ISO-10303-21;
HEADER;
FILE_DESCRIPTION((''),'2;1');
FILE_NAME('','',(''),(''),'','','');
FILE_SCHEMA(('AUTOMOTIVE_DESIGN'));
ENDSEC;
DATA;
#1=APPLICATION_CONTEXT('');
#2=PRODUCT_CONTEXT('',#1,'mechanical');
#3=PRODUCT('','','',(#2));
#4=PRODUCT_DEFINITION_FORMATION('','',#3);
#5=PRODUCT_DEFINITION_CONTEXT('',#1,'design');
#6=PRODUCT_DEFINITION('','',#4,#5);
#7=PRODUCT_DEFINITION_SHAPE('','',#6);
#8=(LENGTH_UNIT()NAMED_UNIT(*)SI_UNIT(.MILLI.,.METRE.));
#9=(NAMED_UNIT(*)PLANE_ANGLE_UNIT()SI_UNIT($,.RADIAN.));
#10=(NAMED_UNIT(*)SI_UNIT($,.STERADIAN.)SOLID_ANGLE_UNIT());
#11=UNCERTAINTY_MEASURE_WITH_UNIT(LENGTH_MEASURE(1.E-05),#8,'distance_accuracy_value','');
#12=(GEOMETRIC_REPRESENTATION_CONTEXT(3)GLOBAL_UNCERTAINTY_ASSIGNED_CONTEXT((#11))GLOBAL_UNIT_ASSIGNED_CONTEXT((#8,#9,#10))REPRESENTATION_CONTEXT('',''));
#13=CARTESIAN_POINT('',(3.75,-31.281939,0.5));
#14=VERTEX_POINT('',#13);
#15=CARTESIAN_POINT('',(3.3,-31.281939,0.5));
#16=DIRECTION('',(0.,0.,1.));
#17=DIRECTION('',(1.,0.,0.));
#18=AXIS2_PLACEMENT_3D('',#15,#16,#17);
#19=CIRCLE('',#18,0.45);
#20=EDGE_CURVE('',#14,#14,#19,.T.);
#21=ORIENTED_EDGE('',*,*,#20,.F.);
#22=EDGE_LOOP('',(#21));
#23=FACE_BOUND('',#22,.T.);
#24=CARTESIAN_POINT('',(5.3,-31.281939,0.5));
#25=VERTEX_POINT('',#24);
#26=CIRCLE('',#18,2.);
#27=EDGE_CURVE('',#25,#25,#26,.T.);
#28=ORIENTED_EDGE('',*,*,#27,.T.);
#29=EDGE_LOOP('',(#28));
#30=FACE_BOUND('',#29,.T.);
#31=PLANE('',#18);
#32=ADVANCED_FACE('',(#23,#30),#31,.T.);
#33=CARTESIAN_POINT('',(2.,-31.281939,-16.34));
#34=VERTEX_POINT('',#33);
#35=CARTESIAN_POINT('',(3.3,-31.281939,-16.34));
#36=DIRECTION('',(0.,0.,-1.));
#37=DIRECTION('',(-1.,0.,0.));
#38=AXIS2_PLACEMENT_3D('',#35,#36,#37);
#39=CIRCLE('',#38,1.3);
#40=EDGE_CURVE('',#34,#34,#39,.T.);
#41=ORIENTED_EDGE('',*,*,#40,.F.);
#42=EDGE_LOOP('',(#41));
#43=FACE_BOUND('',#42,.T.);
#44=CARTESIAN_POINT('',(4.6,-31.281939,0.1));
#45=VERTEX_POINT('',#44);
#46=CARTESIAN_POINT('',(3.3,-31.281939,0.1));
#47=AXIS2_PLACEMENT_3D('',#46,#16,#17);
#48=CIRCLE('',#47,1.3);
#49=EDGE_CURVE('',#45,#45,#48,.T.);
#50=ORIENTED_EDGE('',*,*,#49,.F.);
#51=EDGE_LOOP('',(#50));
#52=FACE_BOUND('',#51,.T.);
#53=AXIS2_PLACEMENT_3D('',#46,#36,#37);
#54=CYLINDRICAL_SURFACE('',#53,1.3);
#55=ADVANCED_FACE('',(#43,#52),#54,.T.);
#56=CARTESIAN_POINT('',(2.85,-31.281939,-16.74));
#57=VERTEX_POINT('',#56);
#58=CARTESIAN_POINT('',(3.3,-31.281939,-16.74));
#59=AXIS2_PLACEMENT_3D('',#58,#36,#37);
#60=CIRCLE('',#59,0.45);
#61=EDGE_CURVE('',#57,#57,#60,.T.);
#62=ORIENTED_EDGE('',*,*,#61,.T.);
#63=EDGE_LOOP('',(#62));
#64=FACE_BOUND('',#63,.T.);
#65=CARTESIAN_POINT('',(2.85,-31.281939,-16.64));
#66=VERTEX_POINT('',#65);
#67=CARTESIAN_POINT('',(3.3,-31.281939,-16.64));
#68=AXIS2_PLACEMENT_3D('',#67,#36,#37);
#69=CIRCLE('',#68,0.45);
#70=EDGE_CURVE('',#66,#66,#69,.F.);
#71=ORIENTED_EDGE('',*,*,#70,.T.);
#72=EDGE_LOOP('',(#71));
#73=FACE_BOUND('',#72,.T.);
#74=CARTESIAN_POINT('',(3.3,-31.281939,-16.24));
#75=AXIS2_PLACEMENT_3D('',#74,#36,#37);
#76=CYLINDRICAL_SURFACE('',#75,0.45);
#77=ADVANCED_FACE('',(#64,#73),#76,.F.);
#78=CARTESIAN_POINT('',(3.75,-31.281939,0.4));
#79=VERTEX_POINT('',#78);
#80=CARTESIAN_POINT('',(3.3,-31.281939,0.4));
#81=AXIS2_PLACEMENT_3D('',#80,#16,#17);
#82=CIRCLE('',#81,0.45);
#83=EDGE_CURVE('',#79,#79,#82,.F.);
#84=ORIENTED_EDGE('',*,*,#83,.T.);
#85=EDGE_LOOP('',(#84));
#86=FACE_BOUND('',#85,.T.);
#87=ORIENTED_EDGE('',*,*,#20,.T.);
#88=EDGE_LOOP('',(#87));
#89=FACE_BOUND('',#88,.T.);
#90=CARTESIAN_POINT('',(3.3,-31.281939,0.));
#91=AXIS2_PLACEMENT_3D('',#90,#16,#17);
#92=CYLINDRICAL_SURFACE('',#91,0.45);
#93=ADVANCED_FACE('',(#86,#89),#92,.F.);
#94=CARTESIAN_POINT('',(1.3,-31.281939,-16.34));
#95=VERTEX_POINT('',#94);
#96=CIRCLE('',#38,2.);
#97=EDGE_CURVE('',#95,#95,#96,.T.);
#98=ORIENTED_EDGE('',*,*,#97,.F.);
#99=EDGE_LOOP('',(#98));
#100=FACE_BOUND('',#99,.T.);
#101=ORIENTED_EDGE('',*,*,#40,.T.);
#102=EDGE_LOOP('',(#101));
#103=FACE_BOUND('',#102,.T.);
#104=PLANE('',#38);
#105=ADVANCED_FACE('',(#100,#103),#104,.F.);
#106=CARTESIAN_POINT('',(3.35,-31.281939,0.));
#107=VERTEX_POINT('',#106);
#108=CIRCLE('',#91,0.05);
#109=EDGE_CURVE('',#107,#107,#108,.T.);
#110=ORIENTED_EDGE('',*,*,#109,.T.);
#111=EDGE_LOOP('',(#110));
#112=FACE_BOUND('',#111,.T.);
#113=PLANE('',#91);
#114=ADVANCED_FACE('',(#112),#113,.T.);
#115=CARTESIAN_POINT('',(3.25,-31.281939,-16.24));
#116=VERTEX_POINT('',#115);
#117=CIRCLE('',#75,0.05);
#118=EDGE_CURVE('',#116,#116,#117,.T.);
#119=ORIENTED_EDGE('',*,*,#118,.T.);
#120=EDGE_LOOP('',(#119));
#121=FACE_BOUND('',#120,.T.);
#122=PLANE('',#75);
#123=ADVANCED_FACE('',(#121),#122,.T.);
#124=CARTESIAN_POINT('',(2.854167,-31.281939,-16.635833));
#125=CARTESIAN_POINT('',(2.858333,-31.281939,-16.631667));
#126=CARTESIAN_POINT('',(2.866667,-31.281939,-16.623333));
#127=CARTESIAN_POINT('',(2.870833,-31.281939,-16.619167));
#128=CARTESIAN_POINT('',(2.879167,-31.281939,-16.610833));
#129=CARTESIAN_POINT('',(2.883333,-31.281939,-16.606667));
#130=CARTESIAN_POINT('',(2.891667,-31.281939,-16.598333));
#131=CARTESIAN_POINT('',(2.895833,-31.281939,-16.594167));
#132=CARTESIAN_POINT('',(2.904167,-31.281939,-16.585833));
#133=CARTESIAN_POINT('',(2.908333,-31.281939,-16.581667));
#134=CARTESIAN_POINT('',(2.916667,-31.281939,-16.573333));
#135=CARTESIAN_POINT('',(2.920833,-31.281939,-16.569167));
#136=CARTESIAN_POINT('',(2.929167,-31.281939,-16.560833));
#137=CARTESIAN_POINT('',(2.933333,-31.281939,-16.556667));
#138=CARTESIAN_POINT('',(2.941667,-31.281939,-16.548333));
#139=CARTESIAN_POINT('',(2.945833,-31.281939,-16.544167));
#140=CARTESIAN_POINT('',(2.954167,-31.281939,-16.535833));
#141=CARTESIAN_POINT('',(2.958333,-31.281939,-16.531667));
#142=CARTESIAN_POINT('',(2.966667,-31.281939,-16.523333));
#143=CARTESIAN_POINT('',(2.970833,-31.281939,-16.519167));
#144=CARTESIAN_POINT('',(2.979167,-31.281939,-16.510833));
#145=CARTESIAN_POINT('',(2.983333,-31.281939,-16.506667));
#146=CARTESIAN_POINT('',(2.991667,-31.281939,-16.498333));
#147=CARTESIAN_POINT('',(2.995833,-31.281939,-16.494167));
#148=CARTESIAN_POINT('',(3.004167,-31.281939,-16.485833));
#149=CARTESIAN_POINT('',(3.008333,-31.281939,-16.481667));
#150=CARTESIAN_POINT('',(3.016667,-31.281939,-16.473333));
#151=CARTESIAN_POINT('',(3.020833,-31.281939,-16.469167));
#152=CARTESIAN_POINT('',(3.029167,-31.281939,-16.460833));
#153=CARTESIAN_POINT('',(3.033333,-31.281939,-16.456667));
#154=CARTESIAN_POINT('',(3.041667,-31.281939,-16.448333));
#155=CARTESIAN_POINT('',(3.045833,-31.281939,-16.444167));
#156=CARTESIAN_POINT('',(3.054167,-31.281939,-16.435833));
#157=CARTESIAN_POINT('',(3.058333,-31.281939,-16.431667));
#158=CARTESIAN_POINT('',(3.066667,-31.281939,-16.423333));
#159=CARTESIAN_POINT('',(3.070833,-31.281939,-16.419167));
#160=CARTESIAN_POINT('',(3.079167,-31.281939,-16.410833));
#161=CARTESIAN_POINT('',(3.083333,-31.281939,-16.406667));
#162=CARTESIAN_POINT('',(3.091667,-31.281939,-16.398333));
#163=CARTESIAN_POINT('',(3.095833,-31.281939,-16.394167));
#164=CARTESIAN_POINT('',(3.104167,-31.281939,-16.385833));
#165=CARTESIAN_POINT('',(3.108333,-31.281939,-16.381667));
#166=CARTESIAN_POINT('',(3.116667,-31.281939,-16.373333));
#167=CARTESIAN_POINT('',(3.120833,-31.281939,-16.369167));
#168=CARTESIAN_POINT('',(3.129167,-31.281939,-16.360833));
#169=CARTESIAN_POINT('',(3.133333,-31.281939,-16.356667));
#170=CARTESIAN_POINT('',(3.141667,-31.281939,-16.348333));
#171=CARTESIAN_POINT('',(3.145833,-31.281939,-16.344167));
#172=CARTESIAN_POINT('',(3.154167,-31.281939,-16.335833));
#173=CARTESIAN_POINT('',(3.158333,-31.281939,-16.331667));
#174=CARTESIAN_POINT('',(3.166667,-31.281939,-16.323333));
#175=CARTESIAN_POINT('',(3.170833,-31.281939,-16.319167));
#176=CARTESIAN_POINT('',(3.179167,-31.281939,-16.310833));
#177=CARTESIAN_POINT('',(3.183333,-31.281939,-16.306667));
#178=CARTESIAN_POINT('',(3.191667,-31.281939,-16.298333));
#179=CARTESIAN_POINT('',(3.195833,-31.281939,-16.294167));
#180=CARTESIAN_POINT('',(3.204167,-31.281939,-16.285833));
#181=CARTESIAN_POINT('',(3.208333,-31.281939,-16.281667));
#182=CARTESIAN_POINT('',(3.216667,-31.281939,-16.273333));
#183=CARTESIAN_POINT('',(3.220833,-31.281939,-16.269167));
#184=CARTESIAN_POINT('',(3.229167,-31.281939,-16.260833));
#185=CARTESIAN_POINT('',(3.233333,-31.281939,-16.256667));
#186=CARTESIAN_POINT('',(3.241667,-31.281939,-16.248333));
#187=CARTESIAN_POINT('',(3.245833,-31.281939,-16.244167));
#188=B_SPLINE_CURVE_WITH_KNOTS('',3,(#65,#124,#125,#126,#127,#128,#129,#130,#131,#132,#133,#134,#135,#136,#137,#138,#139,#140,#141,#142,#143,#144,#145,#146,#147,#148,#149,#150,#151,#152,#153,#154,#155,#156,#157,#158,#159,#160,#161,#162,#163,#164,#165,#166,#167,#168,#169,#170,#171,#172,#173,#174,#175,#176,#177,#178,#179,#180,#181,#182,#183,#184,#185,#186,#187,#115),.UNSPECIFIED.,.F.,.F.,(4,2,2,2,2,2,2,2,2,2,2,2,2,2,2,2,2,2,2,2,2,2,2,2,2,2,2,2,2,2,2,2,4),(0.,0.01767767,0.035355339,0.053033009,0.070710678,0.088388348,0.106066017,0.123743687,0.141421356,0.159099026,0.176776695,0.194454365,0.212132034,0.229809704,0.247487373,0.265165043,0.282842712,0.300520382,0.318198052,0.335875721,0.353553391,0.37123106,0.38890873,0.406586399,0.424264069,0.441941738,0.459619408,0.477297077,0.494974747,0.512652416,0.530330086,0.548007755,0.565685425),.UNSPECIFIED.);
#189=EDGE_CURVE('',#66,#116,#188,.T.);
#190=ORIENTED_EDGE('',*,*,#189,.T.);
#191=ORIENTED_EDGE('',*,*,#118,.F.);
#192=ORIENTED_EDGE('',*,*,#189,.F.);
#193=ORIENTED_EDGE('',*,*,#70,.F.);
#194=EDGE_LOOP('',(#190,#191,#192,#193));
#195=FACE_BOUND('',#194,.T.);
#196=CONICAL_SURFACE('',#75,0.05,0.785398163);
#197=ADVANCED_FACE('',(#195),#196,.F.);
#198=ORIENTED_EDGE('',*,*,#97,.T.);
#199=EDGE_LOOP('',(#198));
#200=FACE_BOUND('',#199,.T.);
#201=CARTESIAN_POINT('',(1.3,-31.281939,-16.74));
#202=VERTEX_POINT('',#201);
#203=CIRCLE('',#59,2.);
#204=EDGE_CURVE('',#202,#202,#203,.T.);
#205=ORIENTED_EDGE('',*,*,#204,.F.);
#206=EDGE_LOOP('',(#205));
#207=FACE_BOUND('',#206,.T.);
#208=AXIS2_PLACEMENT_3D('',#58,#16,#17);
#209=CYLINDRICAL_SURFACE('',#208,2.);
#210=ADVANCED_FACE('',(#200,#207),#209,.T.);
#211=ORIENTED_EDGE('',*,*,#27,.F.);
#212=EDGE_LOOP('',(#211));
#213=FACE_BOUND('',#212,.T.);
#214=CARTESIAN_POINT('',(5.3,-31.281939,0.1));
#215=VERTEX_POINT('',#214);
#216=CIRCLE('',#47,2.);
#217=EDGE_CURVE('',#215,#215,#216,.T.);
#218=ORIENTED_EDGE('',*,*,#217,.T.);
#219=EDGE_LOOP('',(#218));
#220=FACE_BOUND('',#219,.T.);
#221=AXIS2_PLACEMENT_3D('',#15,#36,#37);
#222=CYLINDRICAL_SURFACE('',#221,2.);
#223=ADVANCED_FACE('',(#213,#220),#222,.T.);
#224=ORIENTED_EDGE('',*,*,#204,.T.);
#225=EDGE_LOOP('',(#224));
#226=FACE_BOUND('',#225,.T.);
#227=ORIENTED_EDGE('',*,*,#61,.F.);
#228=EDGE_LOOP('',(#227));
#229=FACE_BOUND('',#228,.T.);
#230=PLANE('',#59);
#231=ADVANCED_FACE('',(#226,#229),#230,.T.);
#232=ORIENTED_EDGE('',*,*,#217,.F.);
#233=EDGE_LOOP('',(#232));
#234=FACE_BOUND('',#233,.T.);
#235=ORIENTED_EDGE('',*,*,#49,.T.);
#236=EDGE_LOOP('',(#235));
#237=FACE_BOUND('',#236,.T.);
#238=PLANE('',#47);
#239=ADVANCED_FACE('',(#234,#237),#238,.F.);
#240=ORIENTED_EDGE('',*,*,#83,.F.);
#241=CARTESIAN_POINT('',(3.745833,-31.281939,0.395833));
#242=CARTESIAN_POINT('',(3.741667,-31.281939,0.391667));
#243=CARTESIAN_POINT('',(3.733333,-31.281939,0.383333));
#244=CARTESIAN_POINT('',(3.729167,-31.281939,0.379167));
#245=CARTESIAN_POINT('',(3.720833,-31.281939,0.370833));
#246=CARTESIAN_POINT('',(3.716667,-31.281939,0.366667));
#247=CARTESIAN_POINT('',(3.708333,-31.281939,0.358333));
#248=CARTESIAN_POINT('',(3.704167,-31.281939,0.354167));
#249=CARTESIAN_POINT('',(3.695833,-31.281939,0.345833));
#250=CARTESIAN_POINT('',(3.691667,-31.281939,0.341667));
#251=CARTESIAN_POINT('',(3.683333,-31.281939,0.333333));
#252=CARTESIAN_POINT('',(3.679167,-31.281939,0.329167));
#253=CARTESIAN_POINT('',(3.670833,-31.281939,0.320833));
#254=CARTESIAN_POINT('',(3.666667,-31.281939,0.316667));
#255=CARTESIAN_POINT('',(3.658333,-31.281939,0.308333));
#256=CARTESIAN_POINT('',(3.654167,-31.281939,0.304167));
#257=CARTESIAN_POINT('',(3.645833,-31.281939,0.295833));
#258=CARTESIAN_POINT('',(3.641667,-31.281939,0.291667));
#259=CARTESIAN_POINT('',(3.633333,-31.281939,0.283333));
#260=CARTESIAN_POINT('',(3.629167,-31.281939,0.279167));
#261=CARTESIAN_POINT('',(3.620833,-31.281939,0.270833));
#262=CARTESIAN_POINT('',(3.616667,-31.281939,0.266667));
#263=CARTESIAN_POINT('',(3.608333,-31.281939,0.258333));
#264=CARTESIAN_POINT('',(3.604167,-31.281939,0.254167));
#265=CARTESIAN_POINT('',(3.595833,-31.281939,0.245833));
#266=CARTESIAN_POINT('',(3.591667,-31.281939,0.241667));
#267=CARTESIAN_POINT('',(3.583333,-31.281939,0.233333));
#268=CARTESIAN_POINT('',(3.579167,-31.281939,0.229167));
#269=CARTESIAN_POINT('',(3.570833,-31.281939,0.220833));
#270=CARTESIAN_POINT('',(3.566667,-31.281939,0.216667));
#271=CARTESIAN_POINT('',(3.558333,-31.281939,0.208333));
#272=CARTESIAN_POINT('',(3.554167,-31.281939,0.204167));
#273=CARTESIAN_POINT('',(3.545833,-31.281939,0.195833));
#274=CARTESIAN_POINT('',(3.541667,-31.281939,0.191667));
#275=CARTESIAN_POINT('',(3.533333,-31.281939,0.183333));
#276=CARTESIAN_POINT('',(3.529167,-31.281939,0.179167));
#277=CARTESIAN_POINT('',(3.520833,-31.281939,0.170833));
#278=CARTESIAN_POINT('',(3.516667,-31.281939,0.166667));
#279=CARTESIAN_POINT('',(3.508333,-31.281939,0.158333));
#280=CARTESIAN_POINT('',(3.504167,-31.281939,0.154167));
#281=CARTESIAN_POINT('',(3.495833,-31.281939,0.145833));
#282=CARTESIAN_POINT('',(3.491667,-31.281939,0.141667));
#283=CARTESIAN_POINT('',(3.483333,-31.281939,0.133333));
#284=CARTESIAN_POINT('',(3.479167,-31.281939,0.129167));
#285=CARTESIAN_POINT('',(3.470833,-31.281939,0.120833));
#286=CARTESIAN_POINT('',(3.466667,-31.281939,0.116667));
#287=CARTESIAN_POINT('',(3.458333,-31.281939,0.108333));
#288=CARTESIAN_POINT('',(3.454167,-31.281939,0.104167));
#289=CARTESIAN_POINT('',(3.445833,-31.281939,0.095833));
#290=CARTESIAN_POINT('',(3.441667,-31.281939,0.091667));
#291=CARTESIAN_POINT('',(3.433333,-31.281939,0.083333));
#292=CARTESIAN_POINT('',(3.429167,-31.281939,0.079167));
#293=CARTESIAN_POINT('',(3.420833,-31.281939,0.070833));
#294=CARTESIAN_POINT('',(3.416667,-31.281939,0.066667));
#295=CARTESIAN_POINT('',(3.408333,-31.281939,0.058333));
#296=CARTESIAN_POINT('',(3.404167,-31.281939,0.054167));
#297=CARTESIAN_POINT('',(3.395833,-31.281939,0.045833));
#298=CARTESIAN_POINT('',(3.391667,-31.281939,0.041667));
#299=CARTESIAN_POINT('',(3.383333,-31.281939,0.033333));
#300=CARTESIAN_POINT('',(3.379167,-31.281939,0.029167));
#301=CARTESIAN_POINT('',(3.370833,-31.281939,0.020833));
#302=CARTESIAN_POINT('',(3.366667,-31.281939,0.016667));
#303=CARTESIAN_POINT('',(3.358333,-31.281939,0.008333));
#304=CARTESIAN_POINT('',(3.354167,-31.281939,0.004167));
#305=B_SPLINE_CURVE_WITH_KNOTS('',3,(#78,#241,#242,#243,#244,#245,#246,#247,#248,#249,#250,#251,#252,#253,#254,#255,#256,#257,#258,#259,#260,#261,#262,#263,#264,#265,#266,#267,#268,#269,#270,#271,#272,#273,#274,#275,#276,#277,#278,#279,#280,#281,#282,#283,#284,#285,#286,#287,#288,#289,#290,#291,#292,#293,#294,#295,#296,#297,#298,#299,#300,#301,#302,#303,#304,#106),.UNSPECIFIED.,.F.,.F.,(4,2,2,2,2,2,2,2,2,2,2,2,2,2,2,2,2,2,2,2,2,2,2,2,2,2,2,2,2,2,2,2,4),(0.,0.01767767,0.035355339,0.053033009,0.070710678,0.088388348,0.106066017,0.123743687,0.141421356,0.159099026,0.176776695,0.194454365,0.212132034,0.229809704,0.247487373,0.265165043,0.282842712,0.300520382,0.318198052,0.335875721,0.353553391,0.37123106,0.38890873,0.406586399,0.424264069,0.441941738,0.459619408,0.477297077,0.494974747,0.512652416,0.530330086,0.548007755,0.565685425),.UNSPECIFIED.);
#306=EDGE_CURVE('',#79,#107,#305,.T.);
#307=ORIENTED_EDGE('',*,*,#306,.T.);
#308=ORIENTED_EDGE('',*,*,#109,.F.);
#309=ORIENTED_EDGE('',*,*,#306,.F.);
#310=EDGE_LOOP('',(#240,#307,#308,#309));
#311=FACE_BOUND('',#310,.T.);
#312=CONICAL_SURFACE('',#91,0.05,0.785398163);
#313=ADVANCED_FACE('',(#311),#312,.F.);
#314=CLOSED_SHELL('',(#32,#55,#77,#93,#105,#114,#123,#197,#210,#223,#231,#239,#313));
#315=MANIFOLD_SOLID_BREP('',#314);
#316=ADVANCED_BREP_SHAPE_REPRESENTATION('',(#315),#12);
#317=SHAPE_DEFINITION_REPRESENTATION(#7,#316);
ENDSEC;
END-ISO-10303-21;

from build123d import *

# Parameters (mm, degrees)
Y_KSEKLIK_EKSTR_ZYON1_DEPTH      = 0.1
Y_KSEKLIK_EKSTR_ZYON1_DEPTH_BACK = 16.34
IZIM1_R                          = 1.3
IZIM2_R                          = 2
Y_KSEKLIK_EKSTR_ZYON2_DEPTH      = 0.4
Y_KSEKLIK_EKSTR_ZYON3_START      = 0.4
IZIM3_R                          = 2
Y_KSEKLIK_EKSTR_ZYON3_DEPTH      = 0.4
IZIM4_R                          = 0.45
KES_EKSTR_ZYON1_DEPTH            = 0.5
PAH1_SIZE                        = 0.4
KES_EKSTR_ZYON2_START            = -0.5
IZIM5_R                          = 0.45
KES_EKSTR_ZYON2_DEPTH            = 0.5
PAH2_SIZE                        = 0.4


with BuildPart() as part:
    # Çizim1 → Yükseklik-Ekstrüzyon1 (new, two sides: drawn at the far end of the back side and taken through both)
    with BuildSketch(Plane.XY.offset(-Y_KSEKLIK_EKSTR_ZYON1_DEPTH_BACK)):
        with Locations((3.3, -31.281939442)):
            Circle(IZIM1_R)
    extrude(amount=Y_KSEKLIK_EKSTR_ZYON1_DEPTH + Y_KSEKLIK_EKSTR_ZYON1_DEPTH_BACK)

    # Çizim2 → Yükseklik-Ekstrüzyon2 (add)
    with BuildSketch(Plane.XY.offset(0.1)):
        with Locations((3.3, -31.281939442)):
            Circle(IZIM2_R)
    extrude(amount=Y_KSEKLIK_EKSTR_ZYON2_DEPTH)

    # Çizim3 → Yükseklik-Ekstrüzyon3 (add)
    with BuildSketch(Plane(origin=(0, 0, -16.34), x_dir=(-1, 0, 0), z_dir=(0, 0, -1)).offset(Y_KSEKLIK_EKSTR_ZYON3_START)):
        with Locations(Location((-3.3, -31.281939442, 0), (0, 0, 180))):
            Circle(IZIM3_R)
    extrude(amount=-Y_KSEKLIK_EKSTR_ZYON3_DEPTH)

    # Çizim4 → Kes-Ekstrüzyon1 (cut)
    with BuildSketch(Plane(origin=(0, 0, -16.74), x_dir=(-1, 0, 0), z_dir=(0, 0, -1))):
        with Locations((-3.3, -31.281939442)):
            Circle(IZIM4_R)
    extrude(amount=-KES_EKSTR_ZYON1_DEPTH, mode=Mode.SUBTRACT)

    # Pah1
    pah1_edges = [part.edges().sort_by_distance(p)[0] for p in [
        (3.75, -31.281939442, -16.24),
    ]]
    chamfer(pah1_edges, length=PAH1_SIZE)

    # Çizim5 → Kes-Ekstrüzyon2 (cut)
    with BuildSketch(Plane.XY.offset(0.5).offset(KES_EKSTR_ZYON2_START)):
        with Locations(Location((3.3, -31.281939442, 0), (0, 0, 180))):
            Circle(IZIM5_R)
    extrude(amount=KES_EKSTR_ZYON2_DEPTH, mode=Mode.SUBTRACT)

    # Pah2
    pah2_edges = [part.edges().sort_by_distance(p)[0] for p in [
        (3.75, -31.281939442, 0),
    ]]
    chamfer(pah2_edges, length=PAH2_SIZE)


solid = part.part
